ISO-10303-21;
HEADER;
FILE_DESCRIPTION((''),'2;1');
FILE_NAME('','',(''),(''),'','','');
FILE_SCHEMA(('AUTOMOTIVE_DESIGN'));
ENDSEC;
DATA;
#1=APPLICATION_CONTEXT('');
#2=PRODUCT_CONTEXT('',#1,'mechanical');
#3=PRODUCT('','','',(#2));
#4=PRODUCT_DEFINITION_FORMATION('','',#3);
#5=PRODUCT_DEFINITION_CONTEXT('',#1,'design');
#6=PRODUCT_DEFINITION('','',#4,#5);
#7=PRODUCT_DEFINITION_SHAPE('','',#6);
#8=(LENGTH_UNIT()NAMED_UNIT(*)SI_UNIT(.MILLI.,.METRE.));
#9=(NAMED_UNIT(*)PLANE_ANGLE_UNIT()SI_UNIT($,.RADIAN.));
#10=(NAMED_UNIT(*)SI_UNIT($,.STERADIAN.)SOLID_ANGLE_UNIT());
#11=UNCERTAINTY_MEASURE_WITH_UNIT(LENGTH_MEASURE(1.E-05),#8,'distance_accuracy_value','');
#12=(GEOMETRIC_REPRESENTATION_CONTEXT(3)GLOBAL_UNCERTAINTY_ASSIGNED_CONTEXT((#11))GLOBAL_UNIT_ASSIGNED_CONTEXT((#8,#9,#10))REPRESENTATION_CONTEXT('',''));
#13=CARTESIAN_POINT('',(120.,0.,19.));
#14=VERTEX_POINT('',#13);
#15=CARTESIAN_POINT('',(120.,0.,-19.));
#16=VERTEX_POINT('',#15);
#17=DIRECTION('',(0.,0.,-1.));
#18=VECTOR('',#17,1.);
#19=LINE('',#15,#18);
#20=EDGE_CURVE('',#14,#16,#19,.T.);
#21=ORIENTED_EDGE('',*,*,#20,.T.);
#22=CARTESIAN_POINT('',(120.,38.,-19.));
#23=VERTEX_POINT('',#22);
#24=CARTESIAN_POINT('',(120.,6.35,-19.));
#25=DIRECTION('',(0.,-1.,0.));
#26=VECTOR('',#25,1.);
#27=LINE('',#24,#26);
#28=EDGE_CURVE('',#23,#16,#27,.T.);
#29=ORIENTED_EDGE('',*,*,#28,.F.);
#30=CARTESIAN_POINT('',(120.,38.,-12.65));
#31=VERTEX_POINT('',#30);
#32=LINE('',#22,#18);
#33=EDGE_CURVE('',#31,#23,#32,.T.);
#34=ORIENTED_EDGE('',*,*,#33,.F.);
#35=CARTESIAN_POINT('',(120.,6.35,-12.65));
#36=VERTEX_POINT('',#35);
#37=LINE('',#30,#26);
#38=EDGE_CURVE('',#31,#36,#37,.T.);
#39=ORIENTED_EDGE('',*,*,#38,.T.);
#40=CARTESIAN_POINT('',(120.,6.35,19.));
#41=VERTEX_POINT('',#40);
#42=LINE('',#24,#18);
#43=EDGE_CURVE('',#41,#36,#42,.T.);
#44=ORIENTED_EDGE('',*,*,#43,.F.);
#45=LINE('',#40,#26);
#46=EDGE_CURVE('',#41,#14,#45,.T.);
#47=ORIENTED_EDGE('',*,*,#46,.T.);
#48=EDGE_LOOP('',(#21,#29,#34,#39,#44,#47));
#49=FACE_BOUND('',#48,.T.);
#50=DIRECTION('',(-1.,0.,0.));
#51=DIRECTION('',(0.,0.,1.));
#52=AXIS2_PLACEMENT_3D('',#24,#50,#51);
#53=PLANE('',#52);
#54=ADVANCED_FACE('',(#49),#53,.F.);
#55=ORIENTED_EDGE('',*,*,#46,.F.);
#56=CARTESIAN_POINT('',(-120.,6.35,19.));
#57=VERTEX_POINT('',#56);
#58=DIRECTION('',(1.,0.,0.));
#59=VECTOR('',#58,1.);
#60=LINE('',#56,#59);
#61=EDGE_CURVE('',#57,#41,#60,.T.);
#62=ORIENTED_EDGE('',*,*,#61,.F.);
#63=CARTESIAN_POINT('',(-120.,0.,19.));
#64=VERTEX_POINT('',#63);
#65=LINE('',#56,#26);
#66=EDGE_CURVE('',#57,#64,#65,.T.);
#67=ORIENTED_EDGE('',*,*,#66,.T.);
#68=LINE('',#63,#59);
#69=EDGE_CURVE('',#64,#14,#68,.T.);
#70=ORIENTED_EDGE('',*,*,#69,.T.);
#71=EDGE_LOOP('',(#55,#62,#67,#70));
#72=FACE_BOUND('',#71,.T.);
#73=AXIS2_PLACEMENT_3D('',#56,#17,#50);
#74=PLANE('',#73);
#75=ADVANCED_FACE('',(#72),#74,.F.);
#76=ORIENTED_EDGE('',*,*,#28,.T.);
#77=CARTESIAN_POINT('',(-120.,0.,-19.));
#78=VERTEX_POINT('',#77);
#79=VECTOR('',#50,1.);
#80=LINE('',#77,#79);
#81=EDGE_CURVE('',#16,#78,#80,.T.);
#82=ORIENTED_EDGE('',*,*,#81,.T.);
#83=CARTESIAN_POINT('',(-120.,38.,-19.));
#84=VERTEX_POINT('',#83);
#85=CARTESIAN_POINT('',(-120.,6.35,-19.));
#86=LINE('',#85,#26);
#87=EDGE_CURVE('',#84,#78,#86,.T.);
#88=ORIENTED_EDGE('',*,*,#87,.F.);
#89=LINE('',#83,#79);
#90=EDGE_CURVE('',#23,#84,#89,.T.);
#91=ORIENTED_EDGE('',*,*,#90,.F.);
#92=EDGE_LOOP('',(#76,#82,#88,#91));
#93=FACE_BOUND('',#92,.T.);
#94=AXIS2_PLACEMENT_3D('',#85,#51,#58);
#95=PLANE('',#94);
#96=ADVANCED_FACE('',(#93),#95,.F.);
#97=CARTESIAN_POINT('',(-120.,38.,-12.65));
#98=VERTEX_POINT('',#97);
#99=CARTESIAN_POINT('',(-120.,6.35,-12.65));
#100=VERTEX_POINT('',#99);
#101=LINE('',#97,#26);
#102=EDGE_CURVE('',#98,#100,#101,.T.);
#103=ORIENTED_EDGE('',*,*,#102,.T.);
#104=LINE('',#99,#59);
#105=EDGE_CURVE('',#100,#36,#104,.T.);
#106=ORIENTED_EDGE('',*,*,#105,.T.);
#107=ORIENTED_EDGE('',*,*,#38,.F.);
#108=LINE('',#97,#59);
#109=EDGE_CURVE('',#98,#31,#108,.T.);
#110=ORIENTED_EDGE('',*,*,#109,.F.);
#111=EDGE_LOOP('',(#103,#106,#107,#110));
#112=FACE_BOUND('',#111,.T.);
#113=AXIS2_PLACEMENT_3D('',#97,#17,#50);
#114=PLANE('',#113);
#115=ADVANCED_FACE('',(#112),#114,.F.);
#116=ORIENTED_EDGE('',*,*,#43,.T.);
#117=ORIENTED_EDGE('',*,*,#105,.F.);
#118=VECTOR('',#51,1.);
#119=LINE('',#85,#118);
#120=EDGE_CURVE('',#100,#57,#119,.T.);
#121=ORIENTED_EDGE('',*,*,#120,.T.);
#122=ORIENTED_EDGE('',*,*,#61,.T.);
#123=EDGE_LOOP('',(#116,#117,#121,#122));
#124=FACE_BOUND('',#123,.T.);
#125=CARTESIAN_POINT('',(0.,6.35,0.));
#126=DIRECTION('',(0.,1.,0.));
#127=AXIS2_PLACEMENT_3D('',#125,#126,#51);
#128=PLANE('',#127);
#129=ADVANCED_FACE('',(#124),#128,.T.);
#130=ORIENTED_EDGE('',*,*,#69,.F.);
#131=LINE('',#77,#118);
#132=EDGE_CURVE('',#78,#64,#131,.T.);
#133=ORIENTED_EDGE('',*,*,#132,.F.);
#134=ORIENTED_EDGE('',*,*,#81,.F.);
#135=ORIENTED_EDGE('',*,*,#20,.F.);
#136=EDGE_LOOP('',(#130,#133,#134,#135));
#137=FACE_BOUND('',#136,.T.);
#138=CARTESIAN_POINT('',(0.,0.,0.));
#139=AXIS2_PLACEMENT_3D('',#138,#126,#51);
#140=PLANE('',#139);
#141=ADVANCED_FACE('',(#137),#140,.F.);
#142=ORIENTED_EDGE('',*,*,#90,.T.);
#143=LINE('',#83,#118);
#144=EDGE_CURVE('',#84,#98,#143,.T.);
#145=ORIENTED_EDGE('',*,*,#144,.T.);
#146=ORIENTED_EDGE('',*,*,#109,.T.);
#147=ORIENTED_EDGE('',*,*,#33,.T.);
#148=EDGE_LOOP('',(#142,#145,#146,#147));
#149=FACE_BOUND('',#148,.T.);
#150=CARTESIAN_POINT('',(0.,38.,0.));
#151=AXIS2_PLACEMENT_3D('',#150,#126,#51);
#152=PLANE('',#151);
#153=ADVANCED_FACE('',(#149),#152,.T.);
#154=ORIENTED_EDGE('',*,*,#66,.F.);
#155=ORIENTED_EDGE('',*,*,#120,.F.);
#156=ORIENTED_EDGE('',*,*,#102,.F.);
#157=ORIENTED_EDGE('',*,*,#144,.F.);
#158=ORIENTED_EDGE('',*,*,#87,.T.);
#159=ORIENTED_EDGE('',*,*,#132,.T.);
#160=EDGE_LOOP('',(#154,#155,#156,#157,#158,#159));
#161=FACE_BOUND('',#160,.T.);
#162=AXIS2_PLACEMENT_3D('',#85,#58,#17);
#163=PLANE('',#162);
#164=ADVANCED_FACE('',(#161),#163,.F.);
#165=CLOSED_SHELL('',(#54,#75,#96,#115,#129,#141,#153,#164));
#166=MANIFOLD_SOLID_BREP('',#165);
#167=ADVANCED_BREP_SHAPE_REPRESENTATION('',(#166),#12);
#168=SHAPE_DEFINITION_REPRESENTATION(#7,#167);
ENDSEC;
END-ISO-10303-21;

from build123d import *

# Parameters (mm, degrees)
CROQUIS1_W              = 240
CROQUIS1_H              = 38
SALIENTE_EXTRUIR1_DEPTH = 6.35
CROQUIS2_W              = 240
CROQUIS2_H              = 6.35
SALIENTE_EXTRUIR2_DEPTH = 31.65


with BuildPart() as part:
    # Croquis1 → Saliente-Extruir1 (new body)
    with BuildSketch(Plane(origin=(0, 0, 0), x_dir=(1, 0, 0), z_dir=(0, 1, 0))):
        Rectangle(CROQUIS1_W, CROQUIS1_H)
    extrude(amount=SALIENTE_EXTRUIR1_DEPTH)

    # Croquis2 → Saliente-Extruir2 (add)
    with BuildSketch(Plane(origin=(0, 6.35, 0), x_dir=(1, 0, 0), z_dir=(0, 1, 0))):
        with Locations((0, 15.825)):
            Rectangle(CROQUIS2_W, CROQUIS2_H)
    extrude(amount=SALIENTE_EXTRUIR2_DEPTH)


solid = part.part
